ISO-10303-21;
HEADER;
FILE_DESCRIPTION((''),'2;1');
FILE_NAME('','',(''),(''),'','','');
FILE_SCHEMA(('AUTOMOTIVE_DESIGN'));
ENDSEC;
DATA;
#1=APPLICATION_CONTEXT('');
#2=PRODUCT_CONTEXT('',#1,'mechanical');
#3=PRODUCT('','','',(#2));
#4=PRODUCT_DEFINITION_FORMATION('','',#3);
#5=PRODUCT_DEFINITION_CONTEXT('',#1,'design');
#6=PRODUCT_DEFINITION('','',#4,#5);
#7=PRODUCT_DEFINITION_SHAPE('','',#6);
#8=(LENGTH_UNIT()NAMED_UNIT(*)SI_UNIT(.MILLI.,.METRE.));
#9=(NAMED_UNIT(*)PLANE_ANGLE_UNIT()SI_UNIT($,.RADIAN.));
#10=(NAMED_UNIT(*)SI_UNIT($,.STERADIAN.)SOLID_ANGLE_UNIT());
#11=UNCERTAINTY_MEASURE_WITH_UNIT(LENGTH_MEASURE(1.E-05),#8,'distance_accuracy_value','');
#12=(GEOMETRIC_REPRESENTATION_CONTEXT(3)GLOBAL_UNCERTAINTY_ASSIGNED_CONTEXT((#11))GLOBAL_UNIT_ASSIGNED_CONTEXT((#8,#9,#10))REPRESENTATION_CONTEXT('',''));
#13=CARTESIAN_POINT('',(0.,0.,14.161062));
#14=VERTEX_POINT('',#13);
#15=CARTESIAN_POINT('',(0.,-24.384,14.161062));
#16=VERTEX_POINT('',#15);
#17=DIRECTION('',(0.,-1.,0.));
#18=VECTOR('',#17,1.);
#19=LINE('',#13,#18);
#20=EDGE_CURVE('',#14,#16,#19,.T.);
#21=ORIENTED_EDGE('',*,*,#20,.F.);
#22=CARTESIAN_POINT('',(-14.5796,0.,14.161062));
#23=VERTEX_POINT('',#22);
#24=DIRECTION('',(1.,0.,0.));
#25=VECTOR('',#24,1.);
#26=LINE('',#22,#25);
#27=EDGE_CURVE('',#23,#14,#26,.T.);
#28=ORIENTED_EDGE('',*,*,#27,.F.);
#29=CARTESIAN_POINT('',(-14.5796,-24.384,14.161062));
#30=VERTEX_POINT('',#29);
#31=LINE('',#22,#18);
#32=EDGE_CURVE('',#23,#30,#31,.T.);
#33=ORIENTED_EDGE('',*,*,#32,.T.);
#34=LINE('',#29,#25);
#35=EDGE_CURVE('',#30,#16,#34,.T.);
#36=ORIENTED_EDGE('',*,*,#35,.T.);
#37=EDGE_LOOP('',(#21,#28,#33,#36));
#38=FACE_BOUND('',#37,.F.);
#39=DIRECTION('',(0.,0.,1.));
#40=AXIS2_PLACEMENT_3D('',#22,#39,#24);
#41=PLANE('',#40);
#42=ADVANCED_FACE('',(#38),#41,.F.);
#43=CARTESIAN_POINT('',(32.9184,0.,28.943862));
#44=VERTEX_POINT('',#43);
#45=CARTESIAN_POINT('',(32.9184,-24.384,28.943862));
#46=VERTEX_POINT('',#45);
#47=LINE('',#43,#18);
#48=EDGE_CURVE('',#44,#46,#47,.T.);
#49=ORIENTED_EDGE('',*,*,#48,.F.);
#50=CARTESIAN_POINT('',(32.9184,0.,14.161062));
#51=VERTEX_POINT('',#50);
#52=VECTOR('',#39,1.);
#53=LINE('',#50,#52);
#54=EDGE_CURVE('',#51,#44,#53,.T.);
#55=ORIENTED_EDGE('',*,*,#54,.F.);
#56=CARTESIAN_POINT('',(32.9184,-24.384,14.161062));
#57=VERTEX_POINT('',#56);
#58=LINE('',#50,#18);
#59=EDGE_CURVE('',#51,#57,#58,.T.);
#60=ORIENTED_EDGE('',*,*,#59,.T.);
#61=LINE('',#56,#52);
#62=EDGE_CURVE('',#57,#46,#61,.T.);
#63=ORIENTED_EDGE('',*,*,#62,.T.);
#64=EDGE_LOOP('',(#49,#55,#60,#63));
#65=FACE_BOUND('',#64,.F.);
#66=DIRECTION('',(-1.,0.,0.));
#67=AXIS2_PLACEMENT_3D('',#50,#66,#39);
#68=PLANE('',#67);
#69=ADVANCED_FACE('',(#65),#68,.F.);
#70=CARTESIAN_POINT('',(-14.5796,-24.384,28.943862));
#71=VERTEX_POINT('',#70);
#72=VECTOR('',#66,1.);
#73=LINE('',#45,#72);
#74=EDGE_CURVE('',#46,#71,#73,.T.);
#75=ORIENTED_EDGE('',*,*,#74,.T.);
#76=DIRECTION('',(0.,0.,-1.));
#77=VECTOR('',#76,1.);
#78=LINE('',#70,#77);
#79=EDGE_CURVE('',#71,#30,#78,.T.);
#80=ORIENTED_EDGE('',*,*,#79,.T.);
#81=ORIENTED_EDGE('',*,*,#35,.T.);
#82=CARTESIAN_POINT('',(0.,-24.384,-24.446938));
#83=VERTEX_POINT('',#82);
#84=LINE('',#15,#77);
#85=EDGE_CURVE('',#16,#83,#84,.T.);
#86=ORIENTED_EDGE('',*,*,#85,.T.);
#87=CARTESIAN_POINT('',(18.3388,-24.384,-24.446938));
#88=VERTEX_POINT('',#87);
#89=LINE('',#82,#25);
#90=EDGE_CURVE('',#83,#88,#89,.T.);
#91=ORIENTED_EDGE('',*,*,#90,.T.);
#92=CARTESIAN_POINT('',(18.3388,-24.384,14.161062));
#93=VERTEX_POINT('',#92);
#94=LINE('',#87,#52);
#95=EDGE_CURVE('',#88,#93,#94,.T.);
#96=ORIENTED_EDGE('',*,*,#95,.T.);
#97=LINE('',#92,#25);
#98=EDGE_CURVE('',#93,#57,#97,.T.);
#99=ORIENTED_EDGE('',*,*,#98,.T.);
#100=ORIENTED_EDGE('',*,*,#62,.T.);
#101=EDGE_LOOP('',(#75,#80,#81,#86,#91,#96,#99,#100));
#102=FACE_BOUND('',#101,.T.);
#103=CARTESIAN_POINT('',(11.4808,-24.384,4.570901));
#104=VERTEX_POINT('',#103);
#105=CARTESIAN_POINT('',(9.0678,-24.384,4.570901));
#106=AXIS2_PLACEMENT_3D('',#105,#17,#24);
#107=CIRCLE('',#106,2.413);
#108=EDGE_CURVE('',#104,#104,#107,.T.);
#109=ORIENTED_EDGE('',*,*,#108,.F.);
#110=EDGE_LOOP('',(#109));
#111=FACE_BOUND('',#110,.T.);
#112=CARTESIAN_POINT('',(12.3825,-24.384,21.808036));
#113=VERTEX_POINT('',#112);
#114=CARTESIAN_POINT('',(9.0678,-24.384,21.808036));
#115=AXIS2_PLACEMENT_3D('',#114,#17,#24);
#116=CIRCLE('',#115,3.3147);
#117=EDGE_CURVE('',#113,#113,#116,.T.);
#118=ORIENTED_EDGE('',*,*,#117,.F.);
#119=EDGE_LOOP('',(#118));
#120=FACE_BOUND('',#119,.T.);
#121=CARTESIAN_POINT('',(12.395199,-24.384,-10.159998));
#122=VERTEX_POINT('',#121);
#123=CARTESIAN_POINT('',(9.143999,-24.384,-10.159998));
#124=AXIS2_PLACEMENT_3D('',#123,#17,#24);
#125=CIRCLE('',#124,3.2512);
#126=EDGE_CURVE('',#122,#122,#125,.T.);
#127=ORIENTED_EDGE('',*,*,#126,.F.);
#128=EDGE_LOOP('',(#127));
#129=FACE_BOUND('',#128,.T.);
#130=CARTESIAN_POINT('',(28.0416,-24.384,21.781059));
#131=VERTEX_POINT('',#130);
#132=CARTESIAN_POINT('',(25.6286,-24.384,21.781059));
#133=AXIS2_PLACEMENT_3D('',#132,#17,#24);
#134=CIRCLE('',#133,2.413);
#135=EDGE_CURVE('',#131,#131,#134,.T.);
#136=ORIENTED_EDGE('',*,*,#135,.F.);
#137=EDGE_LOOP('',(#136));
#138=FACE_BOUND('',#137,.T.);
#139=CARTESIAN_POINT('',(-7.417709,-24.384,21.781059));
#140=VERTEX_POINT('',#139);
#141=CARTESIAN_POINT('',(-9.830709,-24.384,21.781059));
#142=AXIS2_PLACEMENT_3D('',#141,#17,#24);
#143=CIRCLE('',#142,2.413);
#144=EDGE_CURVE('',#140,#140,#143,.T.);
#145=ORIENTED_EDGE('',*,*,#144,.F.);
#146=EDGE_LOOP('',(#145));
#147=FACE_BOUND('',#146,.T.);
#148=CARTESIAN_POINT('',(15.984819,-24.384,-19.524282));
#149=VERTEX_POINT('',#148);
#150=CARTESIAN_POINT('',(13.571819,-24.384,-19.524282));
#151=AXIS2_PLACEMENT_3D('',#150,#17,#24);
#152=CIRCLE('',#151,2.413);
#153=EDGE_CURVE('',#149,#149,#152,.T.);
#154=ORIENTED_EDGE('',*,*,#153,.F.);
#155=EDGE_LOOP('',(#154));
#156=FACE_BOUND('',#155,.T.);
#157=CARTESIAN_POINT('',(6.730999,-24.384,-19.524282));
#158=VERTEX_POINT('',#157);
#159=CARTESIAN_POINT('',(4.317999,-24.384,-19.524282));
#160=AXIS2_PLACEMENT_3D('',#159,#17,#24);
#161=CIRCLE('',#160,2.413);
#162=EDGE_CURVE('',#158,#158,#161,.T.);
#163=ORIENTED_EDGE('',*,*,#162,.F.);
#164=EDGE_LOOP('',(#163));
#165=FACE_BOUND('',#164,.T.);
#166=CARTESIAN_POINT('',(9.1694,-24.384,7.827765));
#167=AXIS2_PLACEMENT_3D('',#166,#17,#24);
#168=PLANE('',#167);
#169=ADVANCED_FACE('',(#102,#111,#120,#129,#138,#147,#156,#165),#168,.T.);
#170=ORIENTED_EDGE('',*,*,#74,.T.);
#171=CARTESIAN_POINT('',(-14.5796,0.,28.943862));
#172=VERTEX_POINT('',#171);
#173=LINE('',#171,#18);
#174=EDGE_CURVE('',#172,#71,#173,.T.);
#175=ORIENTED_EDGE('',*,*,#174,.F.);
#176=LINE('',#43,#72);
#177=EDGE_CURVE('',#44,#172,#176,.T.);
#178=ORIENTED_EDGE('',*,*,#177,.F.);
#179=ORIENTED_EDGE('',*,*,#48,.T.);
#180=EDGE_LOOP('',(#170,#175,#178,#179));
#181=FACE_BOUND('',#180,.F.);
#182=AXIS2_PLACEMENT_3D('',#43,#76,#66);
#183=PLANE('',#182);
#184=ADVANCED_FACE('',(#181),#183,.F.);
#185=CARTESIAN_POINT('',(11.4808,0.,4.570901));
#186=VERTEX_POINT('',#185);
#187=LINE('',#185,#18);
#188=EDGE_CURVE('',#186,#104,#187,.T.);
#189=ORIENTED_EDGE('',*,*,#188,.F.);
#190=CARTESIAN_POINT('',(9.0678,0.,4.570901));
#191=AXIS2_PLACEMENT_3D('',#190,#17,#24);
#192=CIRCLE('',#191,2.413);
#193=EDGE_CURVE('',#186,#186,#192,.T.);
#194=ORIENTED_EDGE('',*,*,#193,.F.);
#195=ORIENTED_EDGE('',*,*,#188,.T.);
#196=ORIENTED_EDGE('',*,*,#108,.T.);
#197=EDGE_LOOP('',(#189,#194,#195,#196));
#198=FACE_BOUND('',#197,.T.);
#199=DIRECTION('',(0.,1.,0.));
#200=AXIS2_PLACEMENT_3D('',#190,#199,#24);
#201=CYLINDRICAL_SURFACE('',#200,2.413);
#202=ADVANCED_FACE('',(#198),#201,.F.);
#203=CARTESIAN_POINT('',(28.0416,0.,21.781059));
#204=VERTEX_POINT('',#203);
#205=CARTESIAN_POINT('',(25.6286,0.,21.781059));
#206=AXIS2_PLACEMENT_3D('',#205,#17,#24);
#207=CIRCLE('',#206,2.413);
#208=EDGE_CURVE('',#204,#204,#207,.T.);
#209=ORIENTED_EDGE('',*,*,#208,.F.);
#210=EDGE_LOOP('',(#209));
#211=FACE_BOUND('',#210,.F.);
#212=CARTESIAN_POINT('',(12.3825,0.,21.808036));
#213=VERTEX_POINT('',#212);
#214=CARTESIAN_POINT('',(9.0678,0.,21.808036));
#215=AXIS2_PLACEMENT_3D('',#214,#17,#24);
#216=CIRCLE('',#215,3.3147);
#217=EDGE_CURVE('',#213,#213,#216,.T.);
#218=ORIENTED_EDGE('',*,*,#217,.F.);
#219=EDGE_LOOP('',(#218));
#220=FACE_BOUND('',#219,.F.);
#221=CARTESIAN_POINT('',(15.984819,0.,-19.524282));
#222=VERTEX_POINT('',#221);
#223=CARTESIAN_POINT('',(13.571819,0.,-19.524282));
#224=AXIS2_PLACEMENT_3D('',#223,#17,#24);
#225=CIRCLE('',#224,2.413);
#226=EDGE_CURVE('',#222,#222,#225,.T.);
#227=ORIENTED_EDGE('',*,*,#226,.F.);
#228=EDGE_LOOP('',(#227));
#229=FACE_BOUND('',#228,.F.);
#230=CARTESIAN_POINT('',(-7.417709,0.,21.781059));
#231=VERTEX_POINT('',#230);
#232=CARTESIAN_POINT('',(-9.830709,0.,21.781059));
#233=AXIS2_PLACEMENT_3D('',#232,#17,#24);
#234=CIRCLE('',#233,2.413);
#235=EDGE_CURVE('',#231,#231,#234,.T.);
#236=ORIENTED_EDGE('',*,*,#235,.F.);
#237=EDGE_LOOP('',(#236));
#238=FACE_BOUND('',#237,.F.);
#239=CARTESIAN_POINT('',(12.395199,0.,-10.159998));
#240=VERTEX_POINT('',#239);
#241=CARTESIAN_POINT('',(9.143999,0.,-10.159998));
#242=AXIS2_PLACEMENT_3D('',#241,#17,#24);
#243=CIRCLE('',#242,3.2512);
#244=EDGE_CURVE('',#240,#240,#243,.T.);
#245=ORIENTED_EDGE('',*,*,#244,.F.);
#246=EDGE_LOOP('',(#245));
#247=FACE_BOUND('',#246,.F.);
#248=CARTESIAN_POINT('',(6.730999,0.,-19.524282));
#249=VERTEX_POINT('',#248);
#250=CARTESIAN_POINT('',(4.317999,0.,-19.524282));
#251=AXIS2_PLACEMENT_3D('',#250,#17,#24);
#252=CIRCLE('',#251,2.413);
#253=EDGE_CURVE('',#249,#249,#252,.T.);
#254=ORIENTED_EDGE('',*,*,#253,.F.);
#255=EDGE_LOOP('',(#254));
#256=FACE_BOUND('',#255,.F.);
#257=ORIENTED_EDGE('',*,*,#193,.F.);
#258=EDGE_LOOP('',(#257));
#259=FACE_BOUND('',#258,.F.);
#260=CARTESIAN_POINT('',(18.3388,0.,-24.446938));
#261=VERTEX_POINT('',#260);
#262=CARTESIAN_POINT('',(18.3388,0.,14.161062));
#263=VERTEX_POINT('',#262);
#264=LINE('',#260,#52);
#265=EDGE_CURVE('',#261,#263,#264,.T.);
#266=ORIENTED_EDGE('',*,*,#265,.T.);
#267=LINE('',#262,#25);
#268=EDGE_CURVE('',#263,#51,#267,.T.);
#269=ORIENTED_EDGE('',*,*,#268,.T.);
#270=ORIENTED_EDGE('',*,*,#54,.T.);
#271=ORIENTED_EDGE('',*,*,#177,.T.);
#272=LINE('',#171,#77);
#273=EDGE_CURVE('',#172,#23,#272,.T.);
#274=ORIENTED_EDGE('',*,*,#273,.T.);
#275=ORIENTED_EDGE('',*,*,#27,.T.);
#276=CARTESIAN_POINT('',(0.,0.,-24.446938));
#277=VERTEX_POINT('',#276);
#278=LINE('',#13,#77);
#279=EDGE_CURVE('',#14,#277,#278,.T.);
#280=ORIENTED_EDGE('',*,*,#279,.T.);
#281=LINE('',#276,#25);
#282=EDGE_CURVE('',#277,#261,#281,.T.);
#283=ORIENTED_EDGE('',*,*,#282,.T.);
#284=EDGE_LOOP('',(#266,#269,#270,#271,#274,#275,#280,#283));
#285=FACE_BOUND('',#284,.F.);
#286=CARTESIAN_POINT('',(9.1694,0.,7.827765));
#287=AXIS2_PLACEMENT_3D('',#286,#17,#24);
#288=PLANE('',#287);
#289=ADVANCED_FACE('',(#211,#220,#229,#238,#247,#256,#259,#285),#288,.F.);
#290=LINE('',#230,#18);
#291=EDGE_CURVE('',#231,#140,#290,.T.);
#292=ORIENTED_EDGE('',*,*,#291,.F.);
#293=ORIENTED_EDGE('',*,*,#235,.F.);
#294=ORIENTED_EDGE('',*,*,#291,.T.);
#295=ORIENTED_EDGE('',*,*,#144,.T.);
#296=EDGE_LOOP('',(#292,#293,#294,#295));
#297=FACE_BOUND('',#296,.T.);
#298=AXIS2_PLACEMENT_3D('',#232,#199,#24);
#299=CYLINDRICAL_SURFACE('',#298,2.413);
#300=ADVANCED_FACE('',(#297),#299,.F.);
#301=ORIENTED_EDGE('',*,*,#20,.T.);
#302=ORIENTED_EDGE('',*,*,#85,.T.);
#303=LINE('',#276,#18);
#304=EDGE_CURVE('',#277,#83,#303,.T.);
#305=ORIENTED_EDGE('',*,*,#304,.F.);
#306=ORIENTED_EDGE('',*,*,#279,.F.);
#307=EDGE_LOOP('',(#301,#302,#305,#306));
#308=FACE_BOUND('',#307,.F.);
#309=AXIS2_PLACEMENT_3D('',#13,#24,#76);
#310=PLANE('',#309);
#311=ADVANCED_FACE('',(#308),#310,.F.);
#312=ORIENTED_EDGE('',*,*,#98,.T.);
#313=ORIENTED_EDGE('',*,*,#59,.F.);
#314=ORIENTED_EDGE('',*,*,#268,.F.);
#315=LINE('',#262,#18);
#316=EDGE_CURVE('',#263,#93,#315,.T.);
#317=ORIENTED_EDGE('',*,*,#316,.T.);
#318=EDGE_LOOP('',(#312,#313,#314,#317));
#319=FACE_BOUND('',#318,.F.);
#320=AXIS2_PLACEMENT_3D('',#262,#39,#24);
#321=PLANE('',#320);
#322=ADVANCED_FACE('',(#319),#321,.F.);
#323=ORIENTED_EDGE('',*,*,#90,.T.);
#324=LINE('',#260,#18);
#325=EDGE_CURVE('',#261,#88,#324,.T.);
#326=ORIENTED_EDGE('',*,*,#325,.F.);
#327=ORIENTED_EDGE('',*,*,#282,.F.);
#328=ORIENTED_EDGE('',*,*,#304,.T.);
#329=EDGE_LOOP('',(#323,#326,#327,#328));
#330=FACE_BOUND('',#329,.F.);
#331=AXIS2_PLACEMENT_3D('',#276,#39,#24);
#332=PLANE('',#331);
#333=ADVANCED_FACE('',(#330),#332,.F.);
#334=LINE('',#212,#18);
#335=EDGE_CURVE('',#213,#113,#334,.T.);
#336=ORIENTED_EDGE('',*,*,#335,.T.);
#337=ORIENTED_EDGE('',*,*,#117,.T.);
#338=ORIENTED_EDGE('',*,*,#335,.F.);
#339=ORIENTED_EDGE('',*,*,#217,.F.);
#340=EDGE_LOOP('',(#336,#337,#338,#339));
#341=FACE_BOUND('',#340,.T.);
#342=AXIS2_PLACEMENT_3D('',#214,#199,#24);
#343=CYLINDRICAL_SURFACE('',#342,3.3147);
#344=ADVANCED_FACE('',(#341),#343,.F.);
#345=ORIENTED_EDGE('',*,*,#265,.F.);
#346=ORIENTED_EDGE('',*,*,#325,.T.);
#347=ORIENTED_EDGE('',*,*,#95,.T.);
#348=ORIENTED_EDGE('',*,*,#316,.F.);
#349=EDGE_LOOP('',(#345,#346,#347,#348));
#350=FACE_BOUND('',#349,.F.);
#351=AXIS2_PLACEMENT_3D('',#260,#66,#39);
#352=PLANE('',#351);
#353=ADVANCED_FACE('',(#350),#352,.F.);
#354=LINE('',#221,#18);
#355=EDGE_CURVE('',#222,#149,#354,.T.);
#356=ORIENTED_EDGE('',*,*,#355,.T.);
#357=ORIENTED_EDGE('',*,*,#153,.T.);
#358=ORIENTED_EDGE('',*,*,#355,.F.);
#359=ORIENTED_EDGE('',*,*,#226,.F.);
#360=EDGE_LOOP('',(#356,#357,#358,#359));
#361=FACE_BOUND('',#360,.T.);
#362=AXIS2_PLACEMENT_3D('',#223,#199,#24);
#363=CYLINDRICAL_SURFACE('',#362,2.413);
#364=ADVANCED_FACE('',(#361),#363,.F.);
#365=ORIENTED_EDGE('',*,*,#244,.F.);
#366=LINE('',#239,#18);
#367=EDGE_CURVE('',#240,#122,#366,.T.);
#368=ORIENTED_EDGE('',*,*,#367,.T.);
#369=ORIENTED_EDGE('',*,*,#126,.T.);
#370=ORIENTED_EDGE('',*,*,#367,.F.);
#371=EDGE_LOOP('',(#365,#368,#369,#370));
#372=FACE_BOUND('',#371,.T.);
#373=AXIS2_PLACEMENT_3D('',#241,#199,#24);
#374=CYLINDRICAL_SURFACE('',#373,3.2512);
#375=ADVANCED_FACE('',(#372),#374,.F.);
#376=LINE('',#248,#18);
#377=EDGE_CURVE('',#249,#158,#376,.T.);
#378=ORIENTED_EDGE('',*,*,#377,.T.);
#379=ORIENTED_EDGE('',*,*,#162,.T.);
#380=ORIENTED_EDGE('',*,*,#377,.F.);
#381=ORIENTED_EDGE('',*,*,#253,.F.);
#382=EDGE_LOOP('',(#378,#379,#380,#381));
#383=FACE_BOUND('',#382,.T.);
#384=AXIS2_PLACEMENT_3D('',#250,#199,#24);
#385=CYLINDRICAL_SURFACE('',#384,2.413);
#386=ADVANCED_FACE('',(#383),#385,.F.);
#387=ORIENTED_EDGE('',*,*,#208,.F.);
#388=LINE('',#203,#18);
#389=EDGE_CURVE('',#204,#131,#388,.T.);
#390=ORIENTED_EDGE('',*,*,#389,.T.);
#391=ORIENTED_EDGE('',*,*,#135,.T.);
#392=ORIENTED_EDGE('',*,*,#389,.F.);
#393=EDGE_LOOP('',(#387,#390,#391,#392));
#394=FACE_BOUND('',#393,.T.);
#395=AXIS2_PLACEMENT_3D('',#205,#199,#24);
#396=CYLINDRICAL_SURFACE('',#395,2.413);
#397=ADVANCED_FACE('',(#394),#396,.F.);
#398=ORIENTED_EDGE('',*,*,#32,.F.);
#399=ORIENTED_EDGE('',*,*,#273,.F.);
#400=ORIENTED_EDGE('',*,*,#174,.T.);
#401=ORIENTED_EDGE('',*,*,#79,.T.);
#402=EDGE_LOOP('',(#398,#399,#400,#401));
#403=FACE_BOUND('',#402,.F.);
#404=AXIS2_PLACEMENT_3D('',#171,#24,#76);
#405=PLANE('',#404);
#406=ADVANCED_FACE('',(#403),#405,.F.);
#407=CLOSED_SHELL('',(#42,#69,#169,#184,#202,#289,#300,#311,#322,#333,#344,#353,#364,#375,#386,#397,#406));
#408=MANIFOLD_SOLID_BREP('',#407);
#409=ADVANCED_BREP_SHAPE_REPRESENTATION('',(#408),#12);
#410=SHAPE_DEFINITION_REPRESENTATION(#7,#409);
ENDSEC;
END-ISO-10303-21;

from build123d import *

# Parameters (mm, degrees)
F0_R     = 2.413
F0_R_2   = 3.2512
F0_R_3   = 3.3147
F1_DEPTH = 24.384


with BuildPart() as f1:
    # F0 (on Front) → F1 (new body)
    with BuildSketch(Plane.XZ):
        Polygon((32.9184, 28.943862), (-14.5796, 28.943862), (-14.5796, 14.161062), (0, 14.161062), (0, -24.446938), (18.3388, -24.446938), (18.3388, 14.161062), (32.9184, 14.161062), align=None)
        with Locations((4.317999, -19.524282)):
            Circle(F0_R, mode=Mode.SUBTRACT)
        with Locations((9.143999, -10.159998)):
            Circle(F0_R_2, mode=Mode.SUBTRACT)
        with Locations((13.571819, -19.524282)):
            Circle(F0_R, mode=Mode.SUBTRACT)
        with Locations((9.0678, 4.570901)):
            Circle(F0_R, mode=Mode.SUBTRACT)
        with Locations((-9.830709, 21.781059)):
            Circle(F0_R, mode=Mode.SUBTRACT)
        with Locations((9.0678, 21.808036)):
            Circle(F0_R_3, mode=Mode.SUBTRACT)
        with Locations((25.6286, 21.781059)):
            Circle(F0_R, mode=Mode.SUBTRACT)
    extrude(amount=F1_DEPTH)


solid = f1.part
